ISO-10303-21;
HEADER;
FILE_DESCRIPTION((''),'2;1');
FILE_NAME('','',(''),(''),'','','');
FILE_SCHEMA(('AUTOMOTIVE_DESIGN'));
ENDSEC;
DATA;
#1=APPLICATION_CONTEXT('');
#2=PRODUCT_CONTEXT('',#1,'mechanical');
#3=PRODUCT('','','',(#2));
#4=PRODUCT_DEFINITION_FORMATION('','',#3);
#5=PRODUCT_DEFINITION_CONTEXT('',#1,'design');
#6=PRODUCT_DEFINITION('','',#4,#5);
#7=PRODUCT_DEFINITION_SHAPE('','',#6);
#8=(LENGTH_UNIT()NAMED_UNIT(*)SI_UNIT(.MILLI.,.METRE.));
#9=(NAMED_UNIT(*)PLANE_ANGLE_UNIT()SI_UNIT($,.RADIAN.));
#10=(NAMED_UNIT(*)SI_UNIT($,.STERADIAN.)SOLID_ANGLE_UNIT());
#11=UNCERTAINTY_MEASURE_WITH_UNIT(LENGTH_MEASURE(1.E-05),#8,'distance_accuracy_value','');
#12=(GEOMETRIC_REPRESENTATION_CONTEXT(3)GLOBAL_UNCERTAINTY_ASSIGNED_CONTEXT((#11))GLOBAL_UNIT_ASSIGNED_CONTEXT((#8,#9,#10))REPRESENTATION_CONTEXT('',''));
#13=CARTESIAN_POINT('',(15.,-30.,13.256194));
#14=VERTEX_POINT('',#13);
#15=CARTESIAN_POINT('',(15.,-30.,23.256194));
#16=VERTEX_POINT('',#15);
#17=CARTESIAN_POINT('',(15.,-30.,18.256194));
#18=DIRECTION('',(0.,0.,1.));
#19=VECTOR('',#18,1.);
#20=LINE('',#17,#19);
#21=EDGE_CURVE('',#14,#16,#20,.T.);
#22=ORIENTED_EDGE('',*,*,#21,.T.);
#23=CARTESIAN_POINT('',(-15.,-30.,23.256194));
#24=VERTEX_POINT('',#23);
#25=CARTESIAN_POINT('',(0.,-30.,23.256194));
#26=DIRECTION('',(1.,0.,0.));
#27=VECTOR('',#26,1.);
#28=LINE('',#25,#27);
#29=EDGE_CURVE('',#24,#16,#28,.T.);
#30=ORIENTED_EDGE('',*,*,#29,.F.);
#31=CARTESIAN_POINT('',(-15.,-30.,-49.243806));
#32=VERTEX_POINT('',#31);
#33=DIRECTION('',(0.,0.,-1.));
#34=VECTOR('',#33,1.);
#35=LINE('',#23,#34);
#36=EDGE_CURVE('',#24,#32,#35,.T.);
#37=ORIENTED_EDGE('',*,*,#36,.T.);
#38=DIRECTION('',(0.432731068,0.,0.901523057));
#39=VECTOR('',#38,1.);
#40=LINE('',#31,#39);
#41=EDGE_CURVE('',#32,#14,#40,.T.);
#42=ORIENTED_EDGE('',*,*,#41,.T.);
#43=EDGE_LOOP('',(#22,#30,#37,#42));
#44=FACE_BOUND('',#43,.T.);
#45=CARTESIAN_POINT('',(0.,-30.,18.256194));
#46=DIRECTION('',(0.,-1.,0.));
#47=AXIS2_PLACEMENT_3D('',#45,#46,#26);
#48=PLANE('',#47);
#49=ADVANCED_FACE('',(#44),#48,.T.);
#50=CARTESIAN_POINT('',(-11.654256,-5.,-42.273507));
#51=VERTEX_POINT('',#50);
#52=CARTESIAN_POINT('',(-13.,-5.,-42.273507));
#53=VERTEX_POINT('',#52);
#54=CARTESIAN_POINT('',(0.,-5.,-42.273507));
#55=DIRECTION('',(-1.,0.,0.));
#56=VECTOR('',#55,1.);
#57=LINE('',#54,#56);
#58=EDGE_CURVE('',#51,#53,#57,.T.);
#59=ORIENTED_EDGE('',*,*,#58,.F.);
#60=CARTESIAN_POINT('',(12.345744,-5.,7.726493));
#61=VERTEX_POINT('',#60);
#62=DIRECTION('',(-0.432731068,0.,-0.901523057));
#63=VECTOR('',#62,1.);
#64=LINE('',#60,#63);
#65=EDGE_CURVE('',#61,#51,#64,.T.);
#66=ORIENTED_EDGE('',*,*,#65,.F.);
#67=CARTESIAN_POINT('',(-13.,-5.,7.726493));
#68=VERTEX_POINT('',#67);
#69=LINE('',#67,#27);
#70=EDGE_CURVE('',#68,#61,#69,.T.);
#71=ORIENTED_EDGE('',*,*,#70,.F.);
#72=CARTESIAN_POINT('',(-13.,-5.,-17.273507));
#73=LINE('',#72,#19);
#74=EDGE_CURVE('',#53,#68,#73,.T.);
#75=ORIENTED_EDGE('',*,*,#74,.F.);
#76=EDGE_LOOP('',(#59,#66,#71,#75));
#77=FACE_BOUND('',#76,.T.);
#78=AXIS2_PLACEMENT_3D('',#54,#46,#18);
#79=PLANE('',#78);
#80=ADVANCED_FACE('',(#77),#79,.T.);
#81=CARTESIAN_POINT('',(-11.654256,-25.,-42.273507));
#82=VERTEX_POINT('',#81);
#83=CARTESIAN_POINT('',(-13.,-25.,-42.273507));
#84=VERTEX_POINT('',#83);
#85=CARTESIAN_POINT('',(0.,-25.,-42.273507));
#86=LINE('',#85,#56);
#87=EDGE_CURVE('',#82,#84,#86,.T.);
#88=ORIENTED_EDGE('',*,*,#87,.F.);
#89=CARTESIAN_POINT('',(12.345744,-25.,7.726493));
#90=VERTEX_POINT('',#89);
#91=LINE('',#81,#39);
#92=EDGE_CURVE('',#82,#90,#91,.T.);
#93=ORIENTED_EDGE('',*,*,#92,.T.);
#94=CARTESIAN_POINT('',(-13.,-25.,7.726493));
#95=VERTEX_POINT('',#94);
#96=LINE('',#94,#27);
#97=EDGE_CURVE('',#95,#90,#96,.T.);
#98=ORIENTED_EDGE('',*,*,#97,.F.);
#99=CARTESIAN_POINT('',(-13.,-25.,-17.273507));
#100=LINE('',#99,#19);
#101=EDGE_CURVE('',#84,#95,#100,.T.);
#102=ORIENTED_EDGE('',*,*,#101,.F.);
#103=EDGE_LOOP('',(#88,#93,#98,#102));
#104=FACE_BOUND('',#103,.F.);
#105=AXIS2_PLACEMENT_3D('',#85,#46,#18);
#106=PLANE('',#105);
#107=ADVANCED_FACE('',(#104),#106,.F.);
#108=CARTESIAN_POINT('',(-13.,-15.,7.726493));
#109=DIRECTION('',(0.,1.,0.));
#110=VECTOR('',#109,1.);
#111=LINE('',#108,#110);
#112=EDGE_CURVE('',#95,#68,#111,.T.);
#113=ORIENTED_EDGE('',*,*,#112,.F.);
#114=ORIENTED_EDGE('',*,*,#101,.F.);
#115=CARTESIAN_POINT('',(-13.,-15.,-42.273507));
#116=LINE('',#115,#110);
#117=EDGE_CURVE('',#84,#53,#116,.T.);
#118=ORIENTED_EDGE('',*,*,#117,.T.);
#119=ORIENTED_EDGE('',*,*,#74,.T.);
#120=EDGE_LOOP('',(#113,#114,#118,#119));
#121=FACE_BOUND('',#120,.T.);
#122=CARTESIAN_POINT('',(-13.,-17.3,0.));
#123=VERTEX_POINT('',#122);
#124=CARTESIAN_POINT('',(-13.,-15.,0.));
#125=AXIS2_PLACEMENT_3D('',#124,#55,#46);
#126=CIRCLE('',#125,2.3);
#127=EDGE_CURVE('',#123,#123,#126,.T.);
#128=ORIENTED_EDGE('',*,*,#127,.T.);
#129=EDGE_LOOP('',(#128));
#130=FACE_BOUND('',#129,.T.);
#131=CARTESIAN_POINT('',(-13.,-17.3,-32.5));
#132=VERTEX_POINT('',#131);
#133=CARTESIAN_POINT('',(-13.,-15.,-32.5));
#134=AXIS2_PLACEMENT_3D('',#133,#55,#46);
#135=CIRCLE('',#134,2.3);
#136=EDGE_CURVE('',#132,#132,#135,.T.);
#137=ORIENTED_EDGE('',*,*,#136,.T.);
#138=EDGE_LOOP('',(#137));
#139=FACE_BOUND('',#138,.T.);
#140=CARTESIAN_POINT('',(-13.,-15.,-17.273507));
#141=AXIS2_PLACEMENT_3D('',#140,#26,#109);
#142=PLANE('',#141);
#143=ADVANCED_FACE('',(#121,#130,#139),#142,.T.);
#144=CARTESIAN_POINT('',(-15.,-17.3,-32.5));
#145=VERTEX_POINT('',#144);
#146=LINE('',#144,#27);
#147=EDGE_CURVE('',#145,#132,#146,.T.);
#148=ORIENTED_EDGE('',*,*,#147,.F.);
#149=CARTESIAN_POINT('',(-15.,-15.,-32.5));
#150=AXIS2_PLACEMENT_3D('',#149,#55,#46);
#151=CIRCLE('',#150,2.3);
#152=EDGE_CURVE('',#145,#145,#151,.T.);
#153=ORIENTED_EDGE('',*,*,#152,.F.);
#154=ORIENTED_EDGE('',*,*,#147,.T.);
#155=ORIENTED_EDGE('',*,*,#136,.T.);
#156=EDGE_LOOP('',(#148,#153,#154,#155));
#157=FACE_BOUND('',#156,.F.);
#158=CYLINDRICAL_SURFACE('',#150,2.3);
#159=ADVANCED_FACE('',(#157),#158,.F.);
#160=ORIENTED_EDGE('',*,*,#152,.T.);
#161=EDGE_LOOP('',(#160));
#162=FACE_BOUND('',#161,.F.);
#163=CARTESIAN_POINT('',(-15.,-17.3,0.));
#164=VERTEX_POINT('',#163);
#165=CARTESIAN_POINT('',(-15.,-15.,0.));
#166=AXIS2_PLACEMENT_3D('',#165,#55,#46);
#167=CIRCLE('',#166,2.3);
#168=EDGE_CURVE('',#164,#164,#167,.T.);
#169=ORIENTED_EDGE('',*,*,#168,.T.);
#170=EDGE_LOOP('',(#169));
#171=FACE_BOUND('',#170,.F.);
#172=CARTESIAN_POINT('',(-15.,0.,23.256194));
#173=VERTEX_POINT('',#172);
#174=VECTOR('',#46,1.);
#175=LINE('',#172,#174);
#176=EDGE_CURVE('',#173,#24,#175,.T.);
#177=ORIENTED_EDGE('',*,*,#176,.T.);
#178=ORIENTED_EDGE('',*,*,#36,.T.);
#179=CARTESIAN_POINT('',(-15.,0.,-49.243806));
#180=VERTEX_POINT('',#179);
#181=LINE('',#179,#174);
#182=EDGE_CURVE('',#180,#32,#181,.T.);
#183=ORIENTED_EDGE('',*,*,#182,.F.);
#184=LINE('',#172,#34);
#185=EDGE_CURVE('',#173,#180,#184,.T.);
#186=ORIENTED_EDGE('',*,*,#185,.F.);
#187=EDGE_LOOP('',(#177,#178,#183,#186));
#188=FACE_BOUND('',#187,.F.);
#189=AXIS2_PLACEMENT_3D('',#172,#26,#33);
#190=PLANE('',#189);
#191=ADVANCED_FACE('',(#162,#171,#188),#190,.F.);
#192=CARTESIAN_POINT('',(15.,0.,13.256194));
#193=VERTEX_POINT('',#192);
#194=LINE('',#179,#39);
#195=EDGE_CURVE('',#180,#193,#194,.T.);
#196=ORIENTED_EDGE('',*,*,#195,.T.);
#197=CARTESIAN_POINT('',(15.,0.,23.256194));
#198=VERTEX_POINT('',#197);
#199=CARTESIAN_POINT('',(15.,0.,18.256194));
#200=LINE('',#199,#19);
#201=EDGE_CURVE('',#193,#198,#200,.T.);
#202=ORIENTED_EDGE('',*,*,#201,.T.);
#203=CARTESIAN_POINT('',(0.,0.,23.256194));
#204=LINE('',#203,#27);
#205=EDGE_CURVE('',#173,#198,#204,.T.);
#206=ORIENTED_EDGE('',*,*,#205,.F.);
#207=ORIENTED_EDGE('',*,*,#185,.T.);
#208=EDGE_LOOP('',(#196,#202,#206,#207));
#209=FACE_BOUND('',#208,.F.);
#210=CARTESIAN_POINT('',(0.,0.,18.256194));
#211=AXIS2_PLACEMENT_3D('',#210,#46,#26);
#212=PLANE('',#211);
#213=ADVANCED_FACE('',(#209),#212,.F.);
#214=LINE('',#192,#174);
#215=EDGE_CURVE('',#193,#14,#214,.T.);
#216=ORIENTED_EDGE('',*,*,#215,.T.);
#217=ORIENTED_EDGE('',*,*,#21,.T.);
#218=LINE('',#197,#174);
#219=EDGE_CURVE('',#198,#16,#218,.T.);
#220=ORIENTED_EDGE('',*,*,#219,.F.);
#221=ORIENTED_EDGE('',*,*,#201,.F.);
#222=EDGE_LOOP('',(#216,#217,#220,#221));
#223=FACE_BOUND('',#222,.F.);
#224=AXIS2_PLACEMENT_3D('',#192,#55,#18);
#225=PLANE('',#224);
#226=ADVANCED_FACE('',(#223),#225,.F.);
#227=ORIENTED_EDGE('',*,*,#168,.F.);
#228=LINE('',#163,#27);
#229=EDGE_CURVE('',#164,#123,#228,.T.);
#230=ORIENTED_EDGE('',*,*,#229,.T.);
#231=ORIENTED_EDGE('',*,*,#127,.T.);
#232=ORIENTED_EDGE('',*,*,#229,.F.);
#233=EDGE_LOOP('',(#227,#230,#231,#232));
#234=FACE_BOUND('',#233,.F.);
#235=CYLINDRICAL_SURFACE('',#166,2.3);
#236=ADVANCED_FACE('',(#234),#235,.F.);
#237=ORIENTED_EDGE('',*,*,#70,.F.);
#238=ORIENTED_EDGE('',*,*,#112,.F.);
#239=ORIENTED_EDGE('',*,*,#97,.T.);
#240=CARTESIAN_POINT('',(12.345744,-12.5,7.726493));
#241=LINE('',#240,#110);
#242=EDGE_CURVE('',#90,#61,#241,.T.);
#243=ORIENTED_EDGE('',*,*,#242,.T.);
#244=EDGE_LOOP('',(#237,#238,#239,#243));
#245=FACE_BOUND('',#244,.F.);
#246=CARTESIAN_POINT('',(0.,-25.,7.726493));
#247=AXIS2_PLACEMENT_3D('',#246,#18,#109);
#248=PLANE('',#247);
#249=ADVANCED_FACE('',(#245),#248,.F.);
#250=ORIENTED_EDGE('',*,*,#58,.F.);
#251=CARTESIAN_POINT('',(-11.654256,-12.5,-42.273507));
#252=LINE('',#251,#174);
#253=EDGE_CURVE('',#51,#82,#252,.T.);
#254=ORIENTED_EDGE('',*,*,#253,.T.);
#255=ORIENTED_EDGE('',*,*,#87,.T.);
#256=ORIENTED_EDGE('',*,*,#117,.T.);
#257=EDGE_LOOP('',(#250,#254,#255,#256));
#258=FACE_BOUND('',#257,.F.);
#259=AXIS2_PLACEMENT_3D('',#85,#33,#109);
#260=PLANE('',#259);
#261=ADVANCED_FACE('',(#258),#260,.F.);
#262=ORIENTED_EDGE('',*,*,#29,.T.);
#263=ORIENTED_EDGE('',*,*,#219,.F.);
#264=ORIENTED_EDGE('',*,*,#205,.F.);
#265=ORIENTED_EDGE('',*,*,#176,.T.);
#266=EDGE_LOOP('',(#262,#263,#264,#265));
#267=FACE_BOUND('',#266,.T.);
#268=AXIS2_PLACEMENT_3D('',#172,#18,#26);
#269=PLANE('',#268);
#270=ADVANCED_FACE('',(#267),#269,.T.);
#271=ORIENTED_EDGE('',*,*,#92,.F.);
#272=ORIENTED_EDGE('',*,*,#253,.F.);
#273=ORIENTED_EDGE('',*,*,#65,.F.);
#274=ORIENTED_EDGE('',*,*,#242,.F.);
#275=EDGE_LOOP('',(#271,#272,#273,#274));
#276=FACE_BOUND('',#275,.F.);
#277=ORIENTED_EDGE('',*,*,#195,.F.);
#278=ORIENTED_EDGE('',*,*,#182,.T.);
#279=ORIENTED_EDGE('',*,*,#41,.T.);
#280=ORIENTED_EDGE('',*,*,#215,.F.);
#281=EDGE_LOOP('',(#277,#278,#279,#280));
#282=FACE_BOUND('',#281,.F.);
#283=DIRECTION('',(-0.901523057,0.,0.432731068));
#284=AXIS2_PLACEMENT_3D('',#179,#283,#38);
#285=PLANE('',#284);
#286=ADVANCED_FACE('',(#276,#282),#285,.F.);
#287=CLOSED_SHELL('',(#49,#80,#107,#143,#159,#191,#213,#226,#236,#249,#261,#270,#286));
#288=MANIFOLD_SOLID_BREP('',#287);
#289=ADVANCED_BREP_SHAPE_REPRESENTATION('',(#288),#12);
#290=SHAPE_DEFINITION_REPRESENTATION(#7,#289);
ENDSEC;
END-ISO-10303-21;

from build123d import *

# Parameters (mm, degrees)
F0_W          = 30
F0_H          = 10
F1_DEPTH      = 30
F2_R          = 2.3
F3_DEPTH      = 30.001
F4_W          = 20
F4_H          = 50
F5_DEPTH      = 13
F5_DEPTH_BACK = 15.001


with BuildPart() as f1:
    # F0 (on Front) → F1 (new body)
    with BuildSketch(Plane.XZ):
        with Locations((0, 18.2561938465)):
            Rectangle(F0_W, F0_H)
        Polygon((15, 13.2561938465), (-15, 13.2561938465), (-15, -49.2438061535), align=None)
    extrude(amount=F1_DEPTH)

    # F2 (on face) → F3 (cut, through all)
    with BuildSketch(Plane(origin=(-15, 0, 0), x_dir=(0, -1, 0), z_dir=(-1, 0, 0))):
        with Locations((15, 0)):
            Circle(F2_R)
        with Locations((15, -32.5)):
            Circle(F2_R)
    extrude(amount=-F3_DEPTH, mode=Mode.SUBTRACT)

    # F4 (on Right) → F5 (cut, two sides)
    with BuildSketch(Plane.YZ) as f5_sk:
        with Locations((-15.0000003725, -17.2735065222)):
            Rectangle(F4_W, F4_H)
    extrude(amount=-F5_DEPTH, mode=Mode.SUBTRACT)
    extrude(f5_sk.sketch, amount=F5_DEPTH_BACK, mode=Mode.SUBTRACT)


solid = f1.part
